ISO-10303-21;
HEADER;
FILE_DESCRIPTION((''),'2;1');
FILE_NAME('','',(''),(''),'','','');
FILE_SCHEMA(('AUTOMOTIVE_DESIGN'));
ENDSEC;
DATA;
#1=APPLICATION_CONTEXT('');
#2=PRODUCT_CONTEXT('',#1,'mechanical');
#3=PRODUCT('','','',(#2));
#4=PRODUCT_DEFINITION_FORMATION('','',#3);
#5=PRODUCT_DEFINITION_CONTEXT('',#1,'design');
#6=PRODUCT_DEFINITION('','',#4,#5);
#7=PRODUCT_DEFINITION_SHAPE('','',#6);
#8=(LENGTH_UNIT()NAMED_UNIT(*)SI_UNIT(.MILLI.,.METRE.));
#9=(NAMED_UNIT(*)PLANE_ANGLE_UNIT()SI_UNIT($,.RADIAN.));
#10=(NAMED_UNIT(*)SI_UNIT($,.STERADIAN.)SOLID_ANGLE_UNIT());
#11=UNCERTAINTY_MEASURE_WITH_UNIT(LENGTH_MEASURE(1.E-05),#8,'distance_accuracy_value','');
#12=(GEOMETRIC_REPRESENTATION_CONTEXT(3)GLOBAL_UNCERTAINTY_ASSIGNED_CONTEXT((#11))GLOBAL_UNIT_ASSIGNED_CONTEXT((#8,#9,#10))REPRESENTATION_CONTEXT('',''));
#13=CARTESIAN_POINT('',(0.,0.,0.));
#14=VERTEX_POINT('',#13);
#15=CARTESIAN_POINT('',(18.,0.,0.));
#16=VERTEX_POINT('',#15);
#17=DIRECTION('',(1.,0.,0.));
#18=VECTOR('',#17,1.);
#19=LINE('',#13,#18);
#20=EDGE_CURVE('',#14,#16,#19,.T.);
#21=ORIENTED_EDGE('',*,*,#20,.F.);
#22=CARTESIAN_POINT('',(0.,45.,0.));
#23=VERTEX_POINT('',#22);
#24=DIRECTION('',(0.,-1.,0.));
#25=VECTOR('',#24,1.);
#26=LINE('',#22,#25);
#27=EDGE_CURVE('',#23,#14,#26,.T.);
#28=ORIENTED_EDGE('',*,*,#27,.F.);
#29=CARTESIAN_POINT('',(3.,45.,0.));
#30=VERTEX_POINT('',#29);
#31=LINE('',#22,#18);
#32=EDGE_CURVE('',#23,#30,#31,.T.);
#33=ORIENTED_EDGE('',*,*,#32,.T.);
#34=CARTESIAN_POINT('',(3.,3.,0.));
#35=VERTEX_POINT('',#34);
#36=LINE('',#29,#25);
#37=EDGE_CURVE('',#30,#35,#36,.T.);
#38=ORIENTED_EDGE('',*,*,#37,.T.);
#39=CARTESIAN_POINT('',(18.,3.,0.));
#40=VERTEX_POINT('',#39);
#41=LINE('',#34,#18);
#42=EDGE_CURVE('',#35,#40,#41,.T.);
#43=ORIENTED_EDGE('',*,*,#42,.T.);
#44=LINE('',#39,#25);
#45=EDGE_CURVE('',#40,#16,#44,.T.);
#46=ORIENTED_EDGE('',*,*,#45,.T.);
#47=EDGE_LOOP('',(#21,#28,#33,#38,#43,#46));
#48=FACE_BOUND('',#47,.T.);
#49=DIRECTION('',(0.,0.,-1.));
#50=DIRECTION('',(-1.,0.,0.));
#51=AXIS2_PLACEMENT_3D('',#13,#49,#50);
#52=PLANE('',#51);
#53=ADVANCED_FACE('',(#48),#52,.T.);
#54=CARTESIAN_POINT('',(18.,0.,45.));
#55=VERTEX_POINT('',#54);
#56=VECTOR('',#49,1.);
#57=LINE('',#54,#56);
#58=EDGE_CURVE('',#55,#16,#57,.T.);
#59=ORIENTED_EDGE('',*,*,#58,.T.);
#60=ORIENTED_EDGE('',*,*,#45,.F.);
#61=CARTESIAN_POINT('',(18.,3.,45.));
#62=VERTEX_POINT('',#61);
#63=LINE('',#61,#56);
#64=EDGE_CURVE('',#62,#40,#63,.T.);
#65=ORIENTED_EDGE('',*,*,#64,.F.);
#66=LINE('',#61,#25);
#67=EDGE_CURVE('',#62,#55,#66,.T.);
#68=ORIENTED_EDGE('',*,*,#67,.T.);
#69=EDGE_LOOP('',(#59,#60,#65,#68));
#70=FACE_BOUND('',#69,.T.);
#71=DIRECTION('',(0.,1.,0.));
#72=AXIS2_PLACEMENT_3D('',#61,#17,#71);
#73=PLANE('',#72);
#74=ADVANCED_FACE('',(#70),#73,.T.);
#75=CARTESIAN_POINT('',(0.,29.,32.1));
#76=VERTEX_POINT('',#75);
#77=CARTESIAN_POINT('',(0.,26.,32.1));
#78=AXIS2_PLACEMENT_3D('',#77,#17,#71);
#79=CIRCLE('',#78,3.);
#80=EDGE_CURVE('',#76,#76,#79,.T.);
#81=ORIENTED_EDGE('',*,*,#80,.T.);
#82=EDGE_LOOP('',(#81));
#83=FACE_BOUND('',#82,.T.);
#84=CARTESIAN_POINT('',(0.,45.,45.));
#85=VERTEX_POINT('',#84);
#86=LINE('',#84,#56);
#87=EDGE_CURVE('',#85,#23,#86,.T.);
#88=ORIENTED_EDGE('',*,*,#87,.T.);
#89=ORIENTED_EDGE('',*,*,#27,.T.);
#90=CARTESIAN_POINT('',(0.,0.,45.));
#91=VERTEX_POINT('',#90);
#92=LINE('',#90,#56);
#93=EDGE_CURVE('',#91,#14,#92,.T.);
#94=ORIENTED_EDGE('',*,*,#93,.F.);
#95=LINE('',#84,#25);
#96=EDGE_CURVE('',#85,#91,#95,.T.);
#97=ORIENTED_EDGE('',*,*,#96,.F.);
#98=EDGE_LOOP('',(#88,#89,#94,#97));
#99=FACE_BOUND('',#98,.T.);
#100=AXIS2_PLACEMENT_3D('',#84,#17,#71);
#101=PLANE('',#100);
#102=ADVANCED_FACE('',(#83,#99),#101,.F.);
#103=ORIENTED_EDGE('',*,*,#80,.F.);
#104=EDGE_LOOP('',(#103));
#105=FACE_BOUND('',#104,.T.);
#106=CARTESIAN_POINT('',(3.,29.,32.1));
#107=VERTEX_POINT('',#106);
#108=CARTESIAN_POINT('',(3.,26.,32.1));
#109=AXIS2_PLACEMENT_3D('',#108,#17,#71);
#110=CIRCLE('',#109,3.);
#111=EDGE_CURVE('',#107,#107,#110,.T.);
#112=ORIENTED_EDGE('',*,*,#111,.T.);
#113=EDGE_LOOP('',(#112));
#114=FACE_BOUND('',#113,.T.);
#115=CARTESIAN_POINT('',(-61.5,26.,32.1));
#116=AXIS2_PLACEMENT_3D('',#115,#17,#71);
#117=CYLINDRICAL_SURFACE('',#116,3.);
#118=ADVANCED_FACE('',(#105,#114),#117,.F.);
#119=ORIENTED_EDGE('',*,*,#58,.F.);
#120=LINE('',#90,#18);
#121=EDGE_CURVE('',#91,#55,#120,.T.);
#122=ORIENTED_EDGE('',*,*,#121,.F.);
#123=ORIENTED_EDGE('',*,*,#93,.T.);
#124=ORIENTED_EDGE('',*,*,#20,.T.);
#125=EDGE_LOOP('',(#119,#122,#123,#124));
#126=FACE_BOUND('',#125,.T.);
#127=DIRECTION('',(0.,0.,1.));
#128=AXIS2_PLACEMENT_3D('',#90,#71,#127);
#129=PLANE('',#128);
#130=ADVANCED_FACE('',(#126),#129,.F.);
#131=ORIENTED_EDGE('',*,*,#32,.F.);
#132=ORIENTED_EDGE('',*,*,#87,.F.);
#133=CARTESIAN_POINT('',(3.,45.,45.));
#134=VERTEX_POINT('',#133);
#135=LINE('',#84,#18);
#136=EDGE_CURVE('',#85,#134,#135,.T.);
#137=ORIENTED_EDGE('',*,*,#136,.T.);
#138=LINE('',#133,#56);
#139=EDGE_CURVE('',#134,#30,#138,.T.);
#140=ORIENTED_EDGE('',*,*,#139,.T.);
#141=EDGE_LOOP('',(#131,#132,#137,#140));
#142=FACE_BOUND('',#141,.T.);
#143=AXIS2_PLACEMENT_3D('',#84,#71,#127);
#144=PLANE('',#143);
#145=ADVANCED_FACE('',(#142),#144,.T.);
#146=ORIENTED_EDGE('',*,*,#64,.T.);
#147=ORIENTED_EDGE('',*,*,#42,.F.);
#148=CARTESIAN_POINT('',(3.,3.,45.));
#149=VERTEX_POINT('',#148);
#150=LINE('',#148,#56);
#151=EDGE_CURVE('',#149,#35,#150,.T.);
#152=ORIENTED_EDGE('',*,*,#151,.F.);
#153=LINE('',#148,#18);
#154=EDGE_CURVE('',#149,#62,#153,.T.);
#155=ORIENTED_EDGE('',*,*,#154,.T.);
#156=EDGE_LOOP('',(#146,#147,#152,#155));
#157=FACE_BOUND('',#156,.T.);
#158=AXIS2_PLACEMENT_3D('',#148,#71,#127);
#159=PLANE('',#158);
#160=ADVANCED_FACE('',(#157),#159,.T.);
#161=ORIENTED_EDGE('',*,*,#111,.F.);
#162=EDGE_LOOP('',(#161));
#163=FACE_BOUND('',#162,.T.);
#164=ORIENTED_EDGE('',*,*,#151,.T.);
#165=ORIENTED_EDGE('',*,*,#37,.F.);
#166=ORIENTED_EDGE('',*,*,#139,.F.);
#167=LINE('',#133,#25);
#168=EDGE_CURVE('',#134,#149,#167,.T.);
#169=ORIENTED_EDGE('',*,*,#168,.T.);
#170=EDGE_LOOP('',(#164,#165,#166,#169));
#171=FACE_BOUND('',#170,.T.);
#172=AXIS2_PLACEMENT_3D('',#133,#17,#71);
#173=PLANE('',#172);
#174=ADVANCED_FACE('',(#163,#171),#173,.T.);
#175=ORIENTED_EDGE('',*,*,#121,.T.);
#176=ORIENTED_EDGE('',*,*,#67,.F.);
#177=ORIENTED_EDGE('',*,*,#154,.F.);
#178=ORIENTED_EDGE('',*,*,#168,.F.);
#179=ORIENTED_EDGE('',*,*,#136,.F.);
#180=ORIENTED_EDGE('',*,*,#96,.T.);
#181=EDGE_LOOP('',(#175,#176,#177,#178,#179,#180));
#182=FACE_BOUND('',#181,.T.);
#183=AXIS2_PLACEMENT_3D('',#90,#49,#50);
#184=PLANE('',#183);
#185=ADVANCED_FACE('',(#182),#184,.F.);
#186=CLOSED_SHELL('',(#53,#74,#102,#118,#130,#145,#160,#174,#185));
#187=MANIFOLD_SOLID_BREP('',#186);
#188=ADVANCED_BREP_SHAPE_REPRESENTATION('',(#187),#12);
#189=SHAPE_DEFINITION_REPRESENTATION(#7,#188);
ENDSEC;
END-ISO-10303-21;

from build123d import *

# Parameters (mm, degrees)
SKETCH_1_W          = 15
SKETCH_1_H          = 3
EXTRUDE_1_DEPTH     = 45
SKETCH_2_R          = 3
CUT_EXTRUDE_1_DEPTH = 64.5


with BuildPart() as part:
    # 草图1 → 凸台-拉伸1 (new body)
    with BuildSketch(Plane.XY):
        Polygon((3, 45), (0, 45), (0, 0), (3, 0), (3, 3), align=None)
        with Locations((10.5, 1.5)):
            Rectangle(SKETCH_1_W, SKETCH_1_H)
    extrude(amount=EXTRUDE_1_DEPTH)

    # 草图2 → 切除-拉伸1 (cut)
    with BuildSketch(Plane(origin=(3, 0, 0), x_dir=(0, 0, -1), z_dir=(1, 0, 0))):
        with Locations(Location((-32.1, 26, 0), (0, 0, 90))):
            Circle(SKETCH_2_R)
    extrude(amount=-CUT_EXTRUDE_1_DEPTH, mode=Mode.SUBTRACT)


solid = part.part
